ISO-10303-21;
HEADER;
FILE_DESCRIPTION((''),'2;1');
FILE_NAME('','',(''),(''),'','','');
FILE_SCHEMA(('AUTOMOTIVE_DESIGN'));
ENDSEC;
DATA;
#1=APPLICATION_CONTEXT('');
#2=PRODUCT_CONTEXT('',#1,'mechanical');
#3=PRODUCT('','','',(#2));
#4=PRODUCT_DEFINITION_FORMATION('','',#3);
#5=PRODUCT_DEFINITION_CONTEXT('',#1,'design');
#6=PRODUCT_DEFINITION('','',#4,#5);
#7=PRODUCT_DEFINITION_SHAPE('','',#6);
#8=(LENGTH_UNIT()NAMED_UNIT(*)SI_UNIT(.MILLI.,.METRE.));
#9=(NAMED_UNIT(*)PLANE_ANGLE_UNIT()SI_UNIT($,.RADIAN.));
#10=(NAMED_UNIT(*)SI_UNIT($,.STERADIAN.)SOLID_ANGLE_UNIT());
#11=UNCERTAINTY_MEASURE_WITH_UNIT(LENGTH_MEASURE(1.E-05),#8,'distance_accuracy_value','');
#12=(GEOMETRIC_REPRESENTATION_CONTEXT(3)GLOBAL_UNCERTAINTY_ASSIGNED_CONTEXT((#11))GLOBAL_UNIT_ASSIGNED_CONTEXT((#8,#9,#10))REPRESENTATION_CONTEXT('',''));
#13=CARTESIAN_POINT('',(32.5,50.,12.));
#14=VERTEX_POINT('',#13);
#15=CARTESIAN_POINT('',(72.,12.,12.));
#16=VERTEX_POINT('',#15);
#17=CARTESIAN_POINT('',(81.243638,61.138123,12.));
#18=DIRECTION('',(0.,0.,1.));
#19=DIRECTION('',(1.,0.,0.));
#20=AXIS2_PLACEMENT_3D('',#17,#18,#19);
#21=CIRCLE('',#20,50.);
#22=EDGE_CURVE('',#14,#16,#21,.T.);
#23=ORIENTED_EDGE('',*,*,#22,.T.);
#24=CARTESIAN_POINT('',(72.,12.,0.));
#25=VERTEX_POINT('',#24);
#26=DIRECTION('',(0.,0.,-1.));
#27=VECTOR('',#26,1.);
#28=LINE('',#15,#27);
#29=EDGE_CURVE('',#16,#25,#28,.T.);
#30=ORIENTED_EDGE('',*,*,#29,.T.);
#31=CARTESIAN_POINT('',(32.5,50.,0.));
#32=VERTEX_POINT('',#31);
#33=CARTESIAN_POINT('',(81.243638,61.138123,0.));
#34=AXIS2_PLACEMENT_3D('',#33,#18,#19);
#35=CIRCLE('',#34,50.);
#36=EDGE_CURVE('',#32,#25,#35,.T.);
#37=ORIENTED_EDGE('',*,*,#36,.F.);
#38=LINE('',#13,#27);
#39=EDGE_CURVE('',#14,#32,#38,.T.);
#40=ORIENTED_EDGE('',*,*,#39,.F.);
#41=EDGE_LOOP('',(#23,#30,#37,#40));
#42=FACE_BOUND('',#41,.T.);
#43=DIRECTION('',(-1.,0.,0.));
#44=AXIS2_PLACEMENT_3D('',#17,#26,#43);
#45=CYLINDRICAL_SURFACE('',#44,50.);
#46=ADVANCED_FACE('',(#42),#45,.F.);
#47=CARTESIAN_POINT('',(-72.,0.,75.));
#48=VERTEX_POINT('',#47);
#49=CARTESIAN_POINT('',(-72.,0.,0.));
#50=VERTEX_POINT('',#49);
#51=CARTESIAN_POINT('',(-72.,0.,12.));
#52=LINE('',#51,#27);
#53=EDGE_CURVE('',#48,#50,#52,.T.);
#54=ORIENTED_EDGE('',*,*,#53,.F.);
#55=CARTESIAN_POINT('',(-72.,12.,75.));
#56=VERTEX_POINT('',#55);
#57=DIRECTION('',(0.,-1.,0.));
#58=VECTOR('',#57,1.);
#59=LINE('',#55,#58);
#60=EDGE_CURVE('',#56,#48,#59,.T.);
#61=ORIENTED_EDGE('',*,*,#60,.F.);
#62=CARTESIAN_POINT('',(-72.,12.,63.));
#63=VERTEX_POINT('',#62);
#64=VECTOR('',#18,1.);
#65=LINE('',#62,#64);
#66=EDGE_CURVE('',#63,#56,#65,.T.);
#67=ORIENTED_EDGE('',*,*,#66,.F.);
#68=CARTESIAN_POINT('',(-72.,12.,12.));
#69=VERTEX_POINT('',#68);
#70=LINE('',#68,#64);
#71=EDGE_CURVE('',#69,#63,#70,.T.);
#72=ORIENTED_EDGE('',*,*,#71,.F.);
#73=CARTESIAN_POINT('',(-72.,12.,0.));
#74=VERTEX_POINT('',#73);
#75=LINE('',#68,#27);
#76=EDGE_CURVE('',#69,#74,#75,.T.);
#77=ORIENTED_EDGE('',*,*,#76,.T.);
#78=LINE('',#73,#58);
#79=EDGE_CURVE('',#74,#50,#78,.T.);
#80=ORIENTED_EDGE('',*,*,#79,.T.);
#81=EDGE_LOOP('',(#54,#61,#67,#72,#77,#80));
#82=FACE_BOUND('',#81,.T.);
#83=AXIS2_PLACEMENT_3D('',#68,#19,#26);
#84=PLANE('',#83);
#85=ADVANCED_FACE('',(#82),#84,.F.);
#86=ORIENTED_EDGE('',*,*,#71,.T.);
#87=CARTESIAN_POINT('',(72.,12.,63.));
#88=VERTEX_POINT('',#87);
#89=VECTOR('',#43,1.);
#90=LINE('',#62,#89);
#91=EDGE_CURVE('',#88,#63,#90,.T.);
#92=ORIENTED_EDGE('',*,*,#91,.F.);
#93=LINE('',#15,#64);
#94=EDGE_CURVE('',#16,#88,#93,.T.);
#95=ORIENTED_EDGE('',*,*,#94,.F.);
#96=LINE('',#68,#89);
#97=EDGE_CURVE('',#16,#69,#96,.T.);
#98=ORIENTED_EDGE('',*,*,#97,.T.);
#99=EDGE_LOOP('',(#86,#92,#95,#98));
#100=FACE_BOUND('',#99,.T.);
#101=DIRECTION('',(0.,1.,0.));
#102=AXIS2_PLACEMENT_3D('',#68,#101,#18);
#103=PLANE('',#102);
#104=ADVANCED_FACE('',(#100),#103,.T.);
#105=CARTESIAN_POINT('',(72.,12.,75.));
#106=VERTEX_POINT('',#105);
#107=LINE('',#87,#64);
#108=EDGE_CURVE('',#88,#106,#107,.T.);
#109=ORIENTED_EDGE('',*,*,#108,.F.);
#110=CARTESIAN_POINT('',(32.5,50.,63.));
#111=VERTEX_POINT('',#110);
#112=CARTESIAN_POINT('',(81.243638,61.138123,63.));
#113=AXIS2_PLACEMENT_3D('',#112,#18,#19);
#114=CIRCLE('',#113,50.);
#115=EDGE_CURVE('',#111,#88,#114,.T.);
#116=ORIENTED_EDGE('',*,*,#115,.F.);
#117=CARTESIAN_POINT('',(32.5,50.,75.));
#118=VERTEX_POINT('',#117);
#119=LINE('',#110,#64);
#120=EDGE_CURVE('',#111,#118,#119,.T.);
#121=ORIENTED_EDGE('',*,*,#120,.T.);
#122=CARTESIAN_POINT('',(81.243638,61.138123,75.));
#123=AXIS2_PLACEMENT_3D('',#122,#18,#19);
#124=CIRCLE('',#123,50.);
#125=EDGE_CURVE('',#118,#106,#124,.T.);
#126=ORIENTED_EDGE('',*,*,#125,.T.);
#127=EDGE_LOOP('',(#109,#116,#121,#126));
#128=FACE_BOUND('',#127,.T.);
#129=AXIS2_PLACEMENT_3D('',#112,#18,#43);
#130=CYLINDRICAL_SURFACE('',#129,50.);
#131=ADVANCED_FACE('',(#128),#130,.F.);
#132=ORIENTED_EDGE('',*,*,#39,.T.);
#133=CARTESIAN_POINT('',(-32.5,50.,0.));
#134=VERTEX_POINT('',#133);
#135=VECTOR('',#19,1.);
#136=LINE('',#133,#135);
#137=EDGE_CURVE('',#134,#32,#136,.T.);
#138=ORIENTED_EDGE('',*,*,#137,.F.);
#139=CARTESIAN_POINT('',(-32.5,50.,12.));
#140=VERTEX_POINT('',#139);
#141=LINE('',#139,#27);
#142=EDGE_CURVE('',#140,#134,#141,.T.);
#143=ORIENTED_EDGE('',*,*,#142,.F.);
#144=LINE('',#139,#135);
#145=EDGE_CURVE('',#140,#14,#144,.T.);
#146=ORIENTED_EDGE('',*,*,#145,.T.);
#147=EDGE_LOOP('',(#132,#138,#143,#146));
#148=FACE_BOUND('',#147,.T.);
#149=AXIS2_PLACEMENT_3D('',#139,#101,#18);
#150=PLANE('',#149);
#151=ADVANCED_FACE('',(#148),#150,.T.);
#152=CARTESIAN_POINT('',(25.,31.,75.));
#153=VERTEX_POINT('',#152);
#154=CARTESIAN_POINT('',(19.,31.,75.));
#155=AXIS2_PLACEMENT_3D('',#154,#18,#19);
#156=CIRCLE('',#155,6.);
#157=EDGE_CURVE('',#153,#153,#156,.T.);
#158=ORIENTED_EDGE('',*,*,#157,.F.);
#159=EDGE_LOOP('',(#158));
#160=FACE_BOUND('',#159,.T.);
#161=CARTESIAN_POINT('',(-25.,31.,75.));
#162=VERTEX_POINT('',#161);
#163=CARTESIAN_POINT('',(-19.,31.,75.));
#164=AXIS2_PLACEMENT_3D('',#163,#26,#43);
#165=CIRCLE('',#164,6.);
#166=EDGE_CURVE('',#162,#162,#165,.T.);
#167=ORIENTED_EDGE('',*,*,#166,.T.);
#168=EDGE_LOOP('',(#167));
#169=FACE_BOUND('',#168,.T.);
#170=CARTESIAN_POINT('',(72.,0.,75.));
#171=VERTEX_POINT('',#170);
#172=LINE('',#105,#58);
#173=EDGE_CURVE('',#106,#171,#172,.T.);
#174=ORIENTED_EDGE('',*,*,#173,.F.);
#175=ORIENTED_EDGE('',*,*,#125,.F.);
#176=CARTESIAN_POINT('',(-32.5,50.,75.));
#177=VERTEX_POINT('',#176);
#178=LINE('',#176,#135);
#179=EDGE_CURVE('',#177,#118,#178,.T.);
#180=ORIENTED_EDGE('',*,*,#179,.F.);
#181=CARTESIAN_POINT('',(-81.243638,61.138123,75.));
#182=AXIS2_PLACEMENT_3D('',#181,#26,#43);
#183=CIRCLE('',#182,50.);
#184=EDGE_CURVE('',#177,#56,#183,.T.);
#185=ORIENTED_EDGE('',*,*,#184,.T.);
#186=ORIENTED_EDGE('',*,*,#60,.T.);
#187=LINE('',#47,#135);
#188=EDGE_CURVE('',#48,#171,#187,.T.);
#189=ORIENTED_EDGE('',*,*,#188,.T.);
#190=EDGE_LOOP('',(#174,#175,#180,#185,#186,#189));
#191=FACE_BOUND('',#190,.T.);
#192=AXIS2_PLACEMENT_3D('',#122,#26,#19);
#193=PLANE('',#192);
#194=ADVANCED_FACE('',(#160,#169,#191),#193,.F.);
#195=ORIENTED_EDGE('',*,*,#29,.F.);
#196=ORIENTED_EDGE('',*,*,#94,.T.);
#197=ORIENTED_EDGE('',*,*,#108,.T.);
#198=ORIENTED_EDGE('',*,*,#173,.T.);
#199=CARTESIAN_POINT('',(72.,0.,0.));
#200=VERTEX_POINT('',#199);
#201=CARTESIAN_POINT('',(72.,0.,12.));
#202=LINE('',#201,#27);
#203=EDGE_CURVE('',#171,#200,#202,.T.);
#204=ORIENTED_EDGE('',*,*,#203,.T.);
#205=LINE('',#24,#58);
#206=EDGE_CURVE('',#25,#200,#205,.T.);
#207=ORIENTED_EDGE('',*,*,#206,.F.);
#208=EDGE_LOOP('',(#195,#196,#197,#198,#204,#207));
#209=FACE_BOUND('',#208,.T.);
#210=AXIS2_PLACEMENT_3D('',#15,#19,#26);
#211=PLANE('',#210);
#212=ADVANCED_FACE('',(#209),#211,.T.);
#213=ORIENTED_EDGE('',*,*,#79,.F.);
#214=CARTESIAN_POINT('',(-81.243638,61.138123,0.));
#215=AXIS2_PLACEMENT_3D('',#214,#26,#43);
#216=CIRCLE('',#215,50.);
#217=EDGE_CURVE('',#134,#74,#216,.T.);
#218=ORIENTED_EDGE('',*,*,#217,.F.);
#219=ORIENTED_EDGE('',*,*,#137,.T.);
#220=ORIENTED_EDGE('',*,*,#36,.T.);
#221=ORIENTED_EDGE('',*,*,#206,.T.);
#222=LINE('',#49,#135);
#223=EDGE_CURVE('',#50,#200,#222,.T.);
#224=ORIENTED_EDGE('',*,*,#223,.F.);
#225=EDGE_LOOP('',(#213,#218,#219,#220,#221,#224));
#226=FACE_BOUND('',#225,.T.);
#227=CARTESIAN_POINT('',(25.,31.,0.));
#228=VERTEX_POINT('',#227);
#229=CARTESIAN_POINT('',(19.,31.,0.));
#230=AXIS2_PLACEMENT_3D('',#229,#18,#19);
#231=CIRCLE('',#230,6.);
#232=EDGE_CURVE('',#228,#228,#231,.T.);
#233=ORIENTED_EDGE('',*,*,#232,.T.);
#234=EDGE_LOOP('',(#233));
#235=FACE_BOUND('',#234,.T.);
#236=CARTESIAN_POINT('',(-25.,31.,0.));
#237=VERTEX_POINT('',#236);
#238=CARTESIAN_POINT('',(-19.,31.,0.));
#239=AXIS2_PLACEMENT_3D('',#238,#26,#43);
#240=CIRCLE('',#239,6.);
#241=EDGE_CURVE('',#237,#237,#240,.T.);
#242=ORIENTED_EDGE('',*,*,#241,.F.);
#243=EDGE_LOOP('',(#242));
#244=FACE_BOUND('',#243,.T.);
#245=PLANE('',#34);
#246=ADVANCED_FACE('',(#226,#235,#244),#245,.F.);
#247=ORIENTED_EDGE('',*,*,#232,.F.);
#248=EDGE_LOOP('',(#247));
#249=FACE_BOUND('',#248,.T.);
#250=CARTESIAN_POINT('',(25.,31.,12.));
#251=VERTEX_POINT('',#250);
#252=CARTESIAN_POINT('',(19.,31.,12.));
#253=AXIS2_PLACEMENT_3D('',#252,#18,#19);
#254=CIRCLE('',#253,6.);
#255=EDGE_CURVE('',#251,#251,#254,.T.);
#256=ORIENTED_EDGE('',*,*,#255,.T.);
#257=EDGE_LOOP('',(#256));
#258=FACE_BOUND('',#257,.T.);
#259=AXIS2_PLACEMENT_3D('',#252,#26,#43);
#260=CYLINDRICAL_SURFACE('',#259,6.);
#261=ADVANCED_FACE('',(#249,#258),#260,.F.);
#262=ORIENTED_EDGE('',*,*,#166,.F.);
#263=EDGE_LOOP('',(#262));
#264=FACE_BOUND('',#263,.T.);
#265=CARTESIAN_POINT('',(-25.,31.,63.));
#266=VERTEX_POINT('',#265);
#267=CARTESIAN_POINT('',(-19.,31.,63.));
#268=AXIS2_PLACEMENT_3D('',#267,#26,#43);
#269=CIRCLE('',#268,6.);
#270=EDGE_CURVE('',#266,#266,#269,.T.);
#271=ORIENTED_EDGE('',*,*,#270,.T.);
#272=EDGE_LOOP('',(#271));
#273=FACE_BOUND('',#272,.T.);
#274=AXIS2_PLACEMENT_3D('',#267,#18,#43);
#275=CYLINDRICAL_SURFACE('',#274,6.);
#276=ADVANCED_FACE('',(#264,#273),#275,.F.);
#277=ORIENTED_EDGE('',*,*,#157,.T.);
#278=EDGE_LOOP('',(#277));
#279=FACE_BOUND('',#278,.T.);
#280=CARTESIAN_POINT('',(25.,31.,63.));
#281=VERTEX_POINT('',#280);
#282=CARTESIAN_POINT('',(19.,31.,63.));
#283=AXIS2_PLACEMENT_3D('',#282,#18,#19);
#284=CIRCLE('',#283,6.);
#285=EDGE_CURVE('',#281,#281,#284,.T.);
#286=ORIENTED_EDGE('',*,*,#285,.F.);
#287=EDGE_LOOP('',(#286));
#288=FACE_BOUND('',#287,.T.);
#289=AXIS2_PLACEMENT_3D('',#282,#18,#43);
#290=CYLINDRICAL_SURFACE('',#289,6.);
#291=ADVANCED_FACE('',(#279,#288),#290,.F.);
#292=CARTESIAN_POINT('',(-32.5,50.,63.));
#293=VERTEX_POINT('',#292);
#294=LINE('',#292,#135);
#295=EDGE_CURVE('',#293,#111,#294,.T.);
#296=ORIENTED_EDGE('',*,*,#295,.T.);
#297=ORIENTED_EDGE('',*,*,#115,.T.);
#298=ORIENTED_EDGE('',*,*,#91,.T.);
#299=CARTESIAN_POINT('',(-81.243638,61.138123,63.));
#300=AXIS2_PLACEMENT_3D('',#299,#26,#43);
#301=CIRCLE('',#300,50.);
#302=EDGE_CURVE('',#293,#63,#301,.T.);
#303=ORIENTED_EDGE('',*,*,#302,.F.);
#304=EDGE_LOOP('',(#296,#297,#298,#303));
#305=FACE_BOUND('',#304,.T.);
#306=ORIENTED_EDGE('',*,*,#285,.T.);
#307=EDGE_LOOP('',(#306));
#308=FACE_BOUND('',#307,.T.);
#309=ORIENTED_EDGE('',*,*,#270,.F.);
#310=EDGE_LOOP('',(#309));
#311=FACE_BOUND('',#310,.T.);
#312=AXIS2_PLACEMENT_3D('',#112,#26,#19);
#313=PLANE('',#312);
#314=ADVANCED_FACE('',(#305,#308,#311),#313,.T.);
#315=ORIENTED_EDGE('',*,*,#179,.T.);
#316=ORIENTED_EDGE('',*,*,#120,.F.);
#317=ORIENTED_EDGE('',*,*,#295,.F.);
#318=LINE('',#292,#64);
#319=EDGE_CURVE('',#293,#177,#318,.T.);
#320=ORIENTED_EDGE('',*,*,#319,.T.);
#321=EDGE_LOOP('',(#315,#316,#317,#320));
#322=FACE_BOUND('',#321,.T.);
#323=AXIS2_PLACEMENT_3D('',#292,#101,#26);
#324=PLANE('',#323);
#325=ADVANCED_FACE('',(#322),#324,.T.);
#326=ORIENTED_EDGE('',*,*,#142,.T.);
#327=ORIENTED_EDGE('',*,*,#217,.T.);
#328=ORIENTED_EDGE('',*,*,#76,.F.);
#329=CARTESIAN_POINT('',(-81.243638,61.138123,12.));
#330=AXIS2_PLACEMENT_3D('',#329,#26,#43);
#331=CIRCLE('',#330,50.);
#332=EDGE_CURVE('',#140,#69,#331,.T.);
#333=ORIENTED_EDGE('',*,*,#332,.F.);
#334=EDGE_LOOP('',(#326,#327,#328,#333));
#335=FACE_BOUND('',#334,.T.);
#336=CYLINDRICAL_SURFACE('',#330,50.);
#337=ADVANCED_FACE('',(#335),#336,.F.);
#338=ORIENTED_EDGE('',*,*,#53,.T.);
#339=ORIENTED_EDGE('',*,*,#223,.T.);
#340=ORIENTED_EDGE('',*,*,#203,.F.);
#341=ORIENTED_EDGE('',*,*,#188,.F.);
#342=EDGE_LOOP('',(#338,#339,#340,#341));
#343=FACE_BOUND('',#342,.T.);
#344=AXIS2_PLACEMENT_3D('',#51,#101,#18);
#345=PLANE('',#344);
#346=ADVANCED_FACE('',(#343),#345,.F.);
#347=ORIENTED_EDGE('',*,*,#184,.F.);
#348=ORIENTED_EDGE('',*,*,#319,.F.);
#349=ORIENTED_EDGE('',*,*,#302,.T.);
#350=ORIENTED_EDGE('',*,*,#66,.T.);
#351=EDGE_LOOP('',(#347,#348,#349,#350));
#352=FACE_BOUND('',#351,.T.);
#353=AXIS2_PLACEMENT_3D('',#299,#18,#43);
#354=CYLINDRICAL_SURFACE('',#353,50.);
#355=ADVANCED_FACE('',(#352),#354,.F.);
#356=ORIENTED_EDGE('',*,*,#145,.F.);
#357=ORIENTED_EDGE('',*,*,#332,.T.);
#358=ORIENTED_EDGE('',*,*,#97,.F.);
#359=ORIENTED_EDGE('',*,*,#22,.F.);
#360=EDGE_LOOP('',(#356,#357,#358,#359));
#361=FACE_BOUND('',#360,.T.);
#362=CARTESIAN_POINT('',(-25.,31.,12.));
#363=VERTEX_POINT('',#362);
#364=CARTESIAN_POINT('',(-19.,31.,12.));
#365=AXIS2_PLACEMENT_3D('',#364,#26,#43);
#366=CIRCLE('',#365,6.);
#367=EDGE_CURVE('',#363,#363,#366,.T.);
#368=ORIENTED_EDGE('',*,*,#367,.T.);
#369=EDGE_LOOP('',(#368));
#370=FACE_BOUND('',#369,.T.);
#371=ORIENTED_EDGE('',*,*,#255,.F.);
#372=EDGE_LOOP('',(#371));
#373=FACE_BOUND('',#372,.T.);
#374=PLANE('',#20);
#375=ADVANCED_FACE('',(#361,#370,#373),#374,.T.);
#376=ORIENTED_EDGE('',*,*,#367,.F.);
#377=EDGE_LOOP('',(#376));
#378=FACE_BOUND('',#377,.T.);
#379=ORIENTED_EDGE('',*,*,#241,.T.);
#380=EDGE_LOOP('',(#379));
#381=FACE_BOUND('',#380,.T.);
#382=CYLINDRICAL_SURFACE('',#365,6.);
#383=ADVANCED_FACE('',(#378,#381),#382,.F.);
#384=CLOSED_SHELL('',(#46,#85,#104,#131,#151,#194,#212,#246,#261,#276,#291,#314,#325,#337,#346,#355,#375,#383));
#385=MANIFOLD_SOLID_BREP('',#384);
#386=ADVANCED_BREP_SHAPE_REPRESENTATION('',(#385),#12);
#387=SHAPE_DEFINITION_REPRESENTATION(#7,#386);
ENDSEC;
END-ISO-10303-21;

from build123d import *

# Parameters (mm, degrees)
SKETCH1_R                = 6
BOSS_EXTRUDE2_DEPTH      = 12
SKETCH3_W                = 144
SKETCH3_H                = 12
BOSS_EXTRUDE3_DEPTH      = 25.5
BOSS_EXTRUDE3_DEPTH_BACK = 25.5


with BuildPart() as part:
    # Sketch1 → Boss-Extrude2 (new body)
    with BuildSketch(Plane.XY):
        with BuildLine():
            Line((-32.5, 50), (32.5, 50))
            ThreePointArc((32.5, 50), (46.579087682, 25.10523588), (72, 12))
            Line((72, 12), (72, 0))
            Line((72, 0), (-72, 0))
            Line((-72, 0), (-72, 12))
            ThreePointArc((-72, 12), (-46.579087682, 25.10523588), (-32.5, 50))
        make_face()
        with Locations((19, 31)):
            Circle(SKETCH1_R, mode=Mode.SUBTRACT)
        with Locations((-19, 31)):
            Circle(SKETCH1_R, mode=Mode.SUBTRACT)
    extrude(amount=BOSS_EXTRUDE2_DEPTH)


with BuildPart() as body_2:
    # Mirror1: mirrored copy
    add(part.part.mirror(Plane.XY.offset(37.5)))


with BuildPart() as part_1:
    add(part.part)

    add(body_2.part)  # Boss-Extrude3 merges body 2
    # Sketch3 → Boss-Extrude3 (add, two sides)
    with BuildSketch(Plane.XY.offset(37.5)) as boss_extrude3_sk:
        with Locations((0, 6)):
            Rectangle(SKETCH3_W, SKETCH3_H)
    extrude(amount=BOSS_EXTRUDE3_DEPTH)
    extrude(boss_extrude3_sk.sketch, amount=-BOSS_EXTRUDE3_DEPTH_BACK)


solid = part_1.part
